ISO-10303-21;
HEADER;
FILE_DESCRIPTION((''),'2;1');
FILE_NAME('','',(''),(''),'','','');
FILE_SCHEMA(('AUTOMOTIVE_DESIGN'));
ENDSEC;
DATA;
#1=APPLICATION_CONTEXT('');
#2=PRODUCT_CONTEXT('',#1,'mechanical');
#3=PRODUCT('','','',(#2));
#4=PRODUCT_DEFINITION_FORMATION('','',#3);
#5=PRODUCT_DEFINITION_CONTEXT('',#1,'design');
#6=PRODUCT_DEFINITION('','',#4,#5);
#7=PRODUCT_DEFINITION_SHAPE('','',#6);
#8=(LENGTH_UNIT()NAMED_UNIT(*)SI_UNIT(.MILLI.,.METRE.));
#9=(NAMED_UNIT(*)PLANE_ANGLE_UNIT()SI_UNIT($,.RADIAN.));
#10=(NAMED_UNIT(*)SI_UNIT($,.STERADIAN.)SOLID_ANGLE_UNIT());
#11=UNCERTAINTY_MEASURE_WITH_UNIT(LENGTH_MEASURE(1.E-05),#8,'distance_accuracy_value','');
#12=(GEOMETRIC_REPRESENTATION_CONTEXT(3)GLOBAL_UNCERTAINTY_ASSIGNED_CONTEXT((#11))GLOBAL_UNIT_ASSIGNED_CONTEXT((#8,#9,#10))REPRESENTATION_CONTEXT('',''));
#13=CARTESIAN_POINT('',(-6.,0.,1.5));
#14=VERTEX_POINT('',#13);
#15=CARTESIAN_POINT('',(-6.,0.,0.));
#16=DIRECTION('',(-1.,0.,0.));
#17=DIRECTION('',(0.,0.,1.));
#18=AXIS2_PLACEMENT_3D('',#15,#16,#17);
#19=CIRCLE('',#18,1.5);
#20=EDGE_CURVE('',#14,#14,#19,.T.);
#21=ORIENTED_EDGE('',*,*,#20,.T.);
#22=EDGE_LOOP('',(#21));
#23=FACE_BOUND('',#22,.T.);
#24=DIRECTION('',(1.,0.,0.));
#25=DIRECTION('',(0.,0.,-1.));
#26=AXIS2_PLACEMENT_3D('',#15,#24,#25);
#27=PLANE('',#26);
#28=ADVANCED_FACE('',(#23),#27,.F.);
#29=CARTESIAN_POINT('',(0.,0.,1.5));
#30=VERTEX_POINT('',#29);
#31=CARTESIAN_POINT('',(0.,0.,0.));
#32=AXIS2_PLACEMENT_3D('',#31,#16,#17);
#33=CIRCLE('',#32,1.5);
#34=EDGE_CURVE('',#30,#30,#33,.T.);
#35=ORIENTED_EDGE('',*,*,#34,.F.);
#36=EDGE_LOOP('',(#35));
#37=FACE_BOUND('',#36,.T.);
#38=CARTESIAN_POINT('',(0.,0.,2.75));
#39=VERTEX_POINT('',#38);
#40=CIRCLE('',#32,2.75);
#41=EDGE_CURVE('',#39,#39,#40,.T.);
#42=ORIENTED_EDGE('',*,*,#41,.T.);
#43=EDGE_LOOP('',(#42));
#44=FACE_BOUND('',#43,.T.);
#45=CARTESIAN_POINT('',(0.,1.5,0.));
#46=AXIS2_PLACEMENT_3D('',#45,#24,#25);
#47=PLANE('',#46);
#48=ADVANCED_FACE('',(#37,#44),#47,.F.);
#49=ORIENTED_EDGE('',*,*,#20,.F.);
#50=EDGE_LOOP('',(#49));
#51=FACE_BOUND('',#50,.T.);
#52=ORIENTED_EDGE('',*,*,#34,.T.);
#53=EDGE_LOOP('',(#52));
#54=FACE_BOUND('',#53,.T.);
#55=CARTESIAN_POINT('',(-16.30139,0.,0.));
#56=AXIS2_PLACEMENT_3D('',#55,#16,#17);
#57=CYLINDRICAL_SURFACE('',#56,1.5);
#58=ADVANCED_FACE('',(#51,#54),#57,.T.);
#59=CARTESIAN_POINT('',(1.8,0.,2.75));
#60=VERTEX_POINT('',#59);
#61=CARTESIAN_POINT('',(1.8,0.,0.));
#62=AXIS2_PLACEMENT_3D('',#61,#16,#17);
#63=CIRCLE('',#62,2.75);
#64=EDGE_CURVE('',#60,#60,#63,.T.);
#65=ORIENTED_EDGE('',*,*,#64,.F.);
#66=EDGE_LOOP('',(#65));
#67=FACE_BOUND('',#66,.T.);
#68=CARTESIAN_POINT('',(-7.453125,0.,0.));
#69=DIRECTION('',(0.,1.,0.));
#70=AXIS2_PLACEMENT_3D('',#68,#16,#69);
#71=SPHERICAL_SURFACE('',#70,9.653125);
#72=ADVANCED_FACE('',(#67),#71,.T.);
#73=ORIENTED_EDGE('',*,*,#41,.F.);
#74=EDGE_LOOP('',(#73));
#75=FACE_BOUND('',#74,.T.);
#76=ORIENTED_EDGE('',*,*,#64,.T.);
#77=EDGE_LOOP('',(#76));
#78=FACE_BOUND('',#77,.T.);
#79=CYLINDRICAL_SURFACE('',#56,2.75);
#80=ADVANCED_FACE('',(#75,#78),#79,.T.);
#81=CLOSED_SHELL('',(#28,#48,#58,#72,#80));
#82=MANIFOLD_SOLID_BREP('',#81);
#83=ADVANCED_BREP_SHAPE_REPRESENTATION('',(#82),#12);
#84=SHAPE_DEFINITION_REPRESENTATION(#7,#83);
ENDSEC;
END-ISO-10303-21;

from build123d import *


with BuildPart() as part:
    # Esquisse1 → Révolution1 (revolve)
    with BuildSketch(Plane.XY):
        with BuildLine():
            Line((0, 1.5), (0, 2.75))
            Line((0, 2.75), (1.8, 2.75))
            ThreePointArc((1.8, 2.75), (2.099476597, 1.389469323), (2.2, 0))
            Line((2.2, 0), (-6, 0))
            Line((-6, 0), (-6, 1.5))
            Line((-6, 1.5), (0, 1.5))
        make_face()
    revolve(axis=Axis((-16.30139048, 0, 0), (1, 0, 0)))


solid = part.part
